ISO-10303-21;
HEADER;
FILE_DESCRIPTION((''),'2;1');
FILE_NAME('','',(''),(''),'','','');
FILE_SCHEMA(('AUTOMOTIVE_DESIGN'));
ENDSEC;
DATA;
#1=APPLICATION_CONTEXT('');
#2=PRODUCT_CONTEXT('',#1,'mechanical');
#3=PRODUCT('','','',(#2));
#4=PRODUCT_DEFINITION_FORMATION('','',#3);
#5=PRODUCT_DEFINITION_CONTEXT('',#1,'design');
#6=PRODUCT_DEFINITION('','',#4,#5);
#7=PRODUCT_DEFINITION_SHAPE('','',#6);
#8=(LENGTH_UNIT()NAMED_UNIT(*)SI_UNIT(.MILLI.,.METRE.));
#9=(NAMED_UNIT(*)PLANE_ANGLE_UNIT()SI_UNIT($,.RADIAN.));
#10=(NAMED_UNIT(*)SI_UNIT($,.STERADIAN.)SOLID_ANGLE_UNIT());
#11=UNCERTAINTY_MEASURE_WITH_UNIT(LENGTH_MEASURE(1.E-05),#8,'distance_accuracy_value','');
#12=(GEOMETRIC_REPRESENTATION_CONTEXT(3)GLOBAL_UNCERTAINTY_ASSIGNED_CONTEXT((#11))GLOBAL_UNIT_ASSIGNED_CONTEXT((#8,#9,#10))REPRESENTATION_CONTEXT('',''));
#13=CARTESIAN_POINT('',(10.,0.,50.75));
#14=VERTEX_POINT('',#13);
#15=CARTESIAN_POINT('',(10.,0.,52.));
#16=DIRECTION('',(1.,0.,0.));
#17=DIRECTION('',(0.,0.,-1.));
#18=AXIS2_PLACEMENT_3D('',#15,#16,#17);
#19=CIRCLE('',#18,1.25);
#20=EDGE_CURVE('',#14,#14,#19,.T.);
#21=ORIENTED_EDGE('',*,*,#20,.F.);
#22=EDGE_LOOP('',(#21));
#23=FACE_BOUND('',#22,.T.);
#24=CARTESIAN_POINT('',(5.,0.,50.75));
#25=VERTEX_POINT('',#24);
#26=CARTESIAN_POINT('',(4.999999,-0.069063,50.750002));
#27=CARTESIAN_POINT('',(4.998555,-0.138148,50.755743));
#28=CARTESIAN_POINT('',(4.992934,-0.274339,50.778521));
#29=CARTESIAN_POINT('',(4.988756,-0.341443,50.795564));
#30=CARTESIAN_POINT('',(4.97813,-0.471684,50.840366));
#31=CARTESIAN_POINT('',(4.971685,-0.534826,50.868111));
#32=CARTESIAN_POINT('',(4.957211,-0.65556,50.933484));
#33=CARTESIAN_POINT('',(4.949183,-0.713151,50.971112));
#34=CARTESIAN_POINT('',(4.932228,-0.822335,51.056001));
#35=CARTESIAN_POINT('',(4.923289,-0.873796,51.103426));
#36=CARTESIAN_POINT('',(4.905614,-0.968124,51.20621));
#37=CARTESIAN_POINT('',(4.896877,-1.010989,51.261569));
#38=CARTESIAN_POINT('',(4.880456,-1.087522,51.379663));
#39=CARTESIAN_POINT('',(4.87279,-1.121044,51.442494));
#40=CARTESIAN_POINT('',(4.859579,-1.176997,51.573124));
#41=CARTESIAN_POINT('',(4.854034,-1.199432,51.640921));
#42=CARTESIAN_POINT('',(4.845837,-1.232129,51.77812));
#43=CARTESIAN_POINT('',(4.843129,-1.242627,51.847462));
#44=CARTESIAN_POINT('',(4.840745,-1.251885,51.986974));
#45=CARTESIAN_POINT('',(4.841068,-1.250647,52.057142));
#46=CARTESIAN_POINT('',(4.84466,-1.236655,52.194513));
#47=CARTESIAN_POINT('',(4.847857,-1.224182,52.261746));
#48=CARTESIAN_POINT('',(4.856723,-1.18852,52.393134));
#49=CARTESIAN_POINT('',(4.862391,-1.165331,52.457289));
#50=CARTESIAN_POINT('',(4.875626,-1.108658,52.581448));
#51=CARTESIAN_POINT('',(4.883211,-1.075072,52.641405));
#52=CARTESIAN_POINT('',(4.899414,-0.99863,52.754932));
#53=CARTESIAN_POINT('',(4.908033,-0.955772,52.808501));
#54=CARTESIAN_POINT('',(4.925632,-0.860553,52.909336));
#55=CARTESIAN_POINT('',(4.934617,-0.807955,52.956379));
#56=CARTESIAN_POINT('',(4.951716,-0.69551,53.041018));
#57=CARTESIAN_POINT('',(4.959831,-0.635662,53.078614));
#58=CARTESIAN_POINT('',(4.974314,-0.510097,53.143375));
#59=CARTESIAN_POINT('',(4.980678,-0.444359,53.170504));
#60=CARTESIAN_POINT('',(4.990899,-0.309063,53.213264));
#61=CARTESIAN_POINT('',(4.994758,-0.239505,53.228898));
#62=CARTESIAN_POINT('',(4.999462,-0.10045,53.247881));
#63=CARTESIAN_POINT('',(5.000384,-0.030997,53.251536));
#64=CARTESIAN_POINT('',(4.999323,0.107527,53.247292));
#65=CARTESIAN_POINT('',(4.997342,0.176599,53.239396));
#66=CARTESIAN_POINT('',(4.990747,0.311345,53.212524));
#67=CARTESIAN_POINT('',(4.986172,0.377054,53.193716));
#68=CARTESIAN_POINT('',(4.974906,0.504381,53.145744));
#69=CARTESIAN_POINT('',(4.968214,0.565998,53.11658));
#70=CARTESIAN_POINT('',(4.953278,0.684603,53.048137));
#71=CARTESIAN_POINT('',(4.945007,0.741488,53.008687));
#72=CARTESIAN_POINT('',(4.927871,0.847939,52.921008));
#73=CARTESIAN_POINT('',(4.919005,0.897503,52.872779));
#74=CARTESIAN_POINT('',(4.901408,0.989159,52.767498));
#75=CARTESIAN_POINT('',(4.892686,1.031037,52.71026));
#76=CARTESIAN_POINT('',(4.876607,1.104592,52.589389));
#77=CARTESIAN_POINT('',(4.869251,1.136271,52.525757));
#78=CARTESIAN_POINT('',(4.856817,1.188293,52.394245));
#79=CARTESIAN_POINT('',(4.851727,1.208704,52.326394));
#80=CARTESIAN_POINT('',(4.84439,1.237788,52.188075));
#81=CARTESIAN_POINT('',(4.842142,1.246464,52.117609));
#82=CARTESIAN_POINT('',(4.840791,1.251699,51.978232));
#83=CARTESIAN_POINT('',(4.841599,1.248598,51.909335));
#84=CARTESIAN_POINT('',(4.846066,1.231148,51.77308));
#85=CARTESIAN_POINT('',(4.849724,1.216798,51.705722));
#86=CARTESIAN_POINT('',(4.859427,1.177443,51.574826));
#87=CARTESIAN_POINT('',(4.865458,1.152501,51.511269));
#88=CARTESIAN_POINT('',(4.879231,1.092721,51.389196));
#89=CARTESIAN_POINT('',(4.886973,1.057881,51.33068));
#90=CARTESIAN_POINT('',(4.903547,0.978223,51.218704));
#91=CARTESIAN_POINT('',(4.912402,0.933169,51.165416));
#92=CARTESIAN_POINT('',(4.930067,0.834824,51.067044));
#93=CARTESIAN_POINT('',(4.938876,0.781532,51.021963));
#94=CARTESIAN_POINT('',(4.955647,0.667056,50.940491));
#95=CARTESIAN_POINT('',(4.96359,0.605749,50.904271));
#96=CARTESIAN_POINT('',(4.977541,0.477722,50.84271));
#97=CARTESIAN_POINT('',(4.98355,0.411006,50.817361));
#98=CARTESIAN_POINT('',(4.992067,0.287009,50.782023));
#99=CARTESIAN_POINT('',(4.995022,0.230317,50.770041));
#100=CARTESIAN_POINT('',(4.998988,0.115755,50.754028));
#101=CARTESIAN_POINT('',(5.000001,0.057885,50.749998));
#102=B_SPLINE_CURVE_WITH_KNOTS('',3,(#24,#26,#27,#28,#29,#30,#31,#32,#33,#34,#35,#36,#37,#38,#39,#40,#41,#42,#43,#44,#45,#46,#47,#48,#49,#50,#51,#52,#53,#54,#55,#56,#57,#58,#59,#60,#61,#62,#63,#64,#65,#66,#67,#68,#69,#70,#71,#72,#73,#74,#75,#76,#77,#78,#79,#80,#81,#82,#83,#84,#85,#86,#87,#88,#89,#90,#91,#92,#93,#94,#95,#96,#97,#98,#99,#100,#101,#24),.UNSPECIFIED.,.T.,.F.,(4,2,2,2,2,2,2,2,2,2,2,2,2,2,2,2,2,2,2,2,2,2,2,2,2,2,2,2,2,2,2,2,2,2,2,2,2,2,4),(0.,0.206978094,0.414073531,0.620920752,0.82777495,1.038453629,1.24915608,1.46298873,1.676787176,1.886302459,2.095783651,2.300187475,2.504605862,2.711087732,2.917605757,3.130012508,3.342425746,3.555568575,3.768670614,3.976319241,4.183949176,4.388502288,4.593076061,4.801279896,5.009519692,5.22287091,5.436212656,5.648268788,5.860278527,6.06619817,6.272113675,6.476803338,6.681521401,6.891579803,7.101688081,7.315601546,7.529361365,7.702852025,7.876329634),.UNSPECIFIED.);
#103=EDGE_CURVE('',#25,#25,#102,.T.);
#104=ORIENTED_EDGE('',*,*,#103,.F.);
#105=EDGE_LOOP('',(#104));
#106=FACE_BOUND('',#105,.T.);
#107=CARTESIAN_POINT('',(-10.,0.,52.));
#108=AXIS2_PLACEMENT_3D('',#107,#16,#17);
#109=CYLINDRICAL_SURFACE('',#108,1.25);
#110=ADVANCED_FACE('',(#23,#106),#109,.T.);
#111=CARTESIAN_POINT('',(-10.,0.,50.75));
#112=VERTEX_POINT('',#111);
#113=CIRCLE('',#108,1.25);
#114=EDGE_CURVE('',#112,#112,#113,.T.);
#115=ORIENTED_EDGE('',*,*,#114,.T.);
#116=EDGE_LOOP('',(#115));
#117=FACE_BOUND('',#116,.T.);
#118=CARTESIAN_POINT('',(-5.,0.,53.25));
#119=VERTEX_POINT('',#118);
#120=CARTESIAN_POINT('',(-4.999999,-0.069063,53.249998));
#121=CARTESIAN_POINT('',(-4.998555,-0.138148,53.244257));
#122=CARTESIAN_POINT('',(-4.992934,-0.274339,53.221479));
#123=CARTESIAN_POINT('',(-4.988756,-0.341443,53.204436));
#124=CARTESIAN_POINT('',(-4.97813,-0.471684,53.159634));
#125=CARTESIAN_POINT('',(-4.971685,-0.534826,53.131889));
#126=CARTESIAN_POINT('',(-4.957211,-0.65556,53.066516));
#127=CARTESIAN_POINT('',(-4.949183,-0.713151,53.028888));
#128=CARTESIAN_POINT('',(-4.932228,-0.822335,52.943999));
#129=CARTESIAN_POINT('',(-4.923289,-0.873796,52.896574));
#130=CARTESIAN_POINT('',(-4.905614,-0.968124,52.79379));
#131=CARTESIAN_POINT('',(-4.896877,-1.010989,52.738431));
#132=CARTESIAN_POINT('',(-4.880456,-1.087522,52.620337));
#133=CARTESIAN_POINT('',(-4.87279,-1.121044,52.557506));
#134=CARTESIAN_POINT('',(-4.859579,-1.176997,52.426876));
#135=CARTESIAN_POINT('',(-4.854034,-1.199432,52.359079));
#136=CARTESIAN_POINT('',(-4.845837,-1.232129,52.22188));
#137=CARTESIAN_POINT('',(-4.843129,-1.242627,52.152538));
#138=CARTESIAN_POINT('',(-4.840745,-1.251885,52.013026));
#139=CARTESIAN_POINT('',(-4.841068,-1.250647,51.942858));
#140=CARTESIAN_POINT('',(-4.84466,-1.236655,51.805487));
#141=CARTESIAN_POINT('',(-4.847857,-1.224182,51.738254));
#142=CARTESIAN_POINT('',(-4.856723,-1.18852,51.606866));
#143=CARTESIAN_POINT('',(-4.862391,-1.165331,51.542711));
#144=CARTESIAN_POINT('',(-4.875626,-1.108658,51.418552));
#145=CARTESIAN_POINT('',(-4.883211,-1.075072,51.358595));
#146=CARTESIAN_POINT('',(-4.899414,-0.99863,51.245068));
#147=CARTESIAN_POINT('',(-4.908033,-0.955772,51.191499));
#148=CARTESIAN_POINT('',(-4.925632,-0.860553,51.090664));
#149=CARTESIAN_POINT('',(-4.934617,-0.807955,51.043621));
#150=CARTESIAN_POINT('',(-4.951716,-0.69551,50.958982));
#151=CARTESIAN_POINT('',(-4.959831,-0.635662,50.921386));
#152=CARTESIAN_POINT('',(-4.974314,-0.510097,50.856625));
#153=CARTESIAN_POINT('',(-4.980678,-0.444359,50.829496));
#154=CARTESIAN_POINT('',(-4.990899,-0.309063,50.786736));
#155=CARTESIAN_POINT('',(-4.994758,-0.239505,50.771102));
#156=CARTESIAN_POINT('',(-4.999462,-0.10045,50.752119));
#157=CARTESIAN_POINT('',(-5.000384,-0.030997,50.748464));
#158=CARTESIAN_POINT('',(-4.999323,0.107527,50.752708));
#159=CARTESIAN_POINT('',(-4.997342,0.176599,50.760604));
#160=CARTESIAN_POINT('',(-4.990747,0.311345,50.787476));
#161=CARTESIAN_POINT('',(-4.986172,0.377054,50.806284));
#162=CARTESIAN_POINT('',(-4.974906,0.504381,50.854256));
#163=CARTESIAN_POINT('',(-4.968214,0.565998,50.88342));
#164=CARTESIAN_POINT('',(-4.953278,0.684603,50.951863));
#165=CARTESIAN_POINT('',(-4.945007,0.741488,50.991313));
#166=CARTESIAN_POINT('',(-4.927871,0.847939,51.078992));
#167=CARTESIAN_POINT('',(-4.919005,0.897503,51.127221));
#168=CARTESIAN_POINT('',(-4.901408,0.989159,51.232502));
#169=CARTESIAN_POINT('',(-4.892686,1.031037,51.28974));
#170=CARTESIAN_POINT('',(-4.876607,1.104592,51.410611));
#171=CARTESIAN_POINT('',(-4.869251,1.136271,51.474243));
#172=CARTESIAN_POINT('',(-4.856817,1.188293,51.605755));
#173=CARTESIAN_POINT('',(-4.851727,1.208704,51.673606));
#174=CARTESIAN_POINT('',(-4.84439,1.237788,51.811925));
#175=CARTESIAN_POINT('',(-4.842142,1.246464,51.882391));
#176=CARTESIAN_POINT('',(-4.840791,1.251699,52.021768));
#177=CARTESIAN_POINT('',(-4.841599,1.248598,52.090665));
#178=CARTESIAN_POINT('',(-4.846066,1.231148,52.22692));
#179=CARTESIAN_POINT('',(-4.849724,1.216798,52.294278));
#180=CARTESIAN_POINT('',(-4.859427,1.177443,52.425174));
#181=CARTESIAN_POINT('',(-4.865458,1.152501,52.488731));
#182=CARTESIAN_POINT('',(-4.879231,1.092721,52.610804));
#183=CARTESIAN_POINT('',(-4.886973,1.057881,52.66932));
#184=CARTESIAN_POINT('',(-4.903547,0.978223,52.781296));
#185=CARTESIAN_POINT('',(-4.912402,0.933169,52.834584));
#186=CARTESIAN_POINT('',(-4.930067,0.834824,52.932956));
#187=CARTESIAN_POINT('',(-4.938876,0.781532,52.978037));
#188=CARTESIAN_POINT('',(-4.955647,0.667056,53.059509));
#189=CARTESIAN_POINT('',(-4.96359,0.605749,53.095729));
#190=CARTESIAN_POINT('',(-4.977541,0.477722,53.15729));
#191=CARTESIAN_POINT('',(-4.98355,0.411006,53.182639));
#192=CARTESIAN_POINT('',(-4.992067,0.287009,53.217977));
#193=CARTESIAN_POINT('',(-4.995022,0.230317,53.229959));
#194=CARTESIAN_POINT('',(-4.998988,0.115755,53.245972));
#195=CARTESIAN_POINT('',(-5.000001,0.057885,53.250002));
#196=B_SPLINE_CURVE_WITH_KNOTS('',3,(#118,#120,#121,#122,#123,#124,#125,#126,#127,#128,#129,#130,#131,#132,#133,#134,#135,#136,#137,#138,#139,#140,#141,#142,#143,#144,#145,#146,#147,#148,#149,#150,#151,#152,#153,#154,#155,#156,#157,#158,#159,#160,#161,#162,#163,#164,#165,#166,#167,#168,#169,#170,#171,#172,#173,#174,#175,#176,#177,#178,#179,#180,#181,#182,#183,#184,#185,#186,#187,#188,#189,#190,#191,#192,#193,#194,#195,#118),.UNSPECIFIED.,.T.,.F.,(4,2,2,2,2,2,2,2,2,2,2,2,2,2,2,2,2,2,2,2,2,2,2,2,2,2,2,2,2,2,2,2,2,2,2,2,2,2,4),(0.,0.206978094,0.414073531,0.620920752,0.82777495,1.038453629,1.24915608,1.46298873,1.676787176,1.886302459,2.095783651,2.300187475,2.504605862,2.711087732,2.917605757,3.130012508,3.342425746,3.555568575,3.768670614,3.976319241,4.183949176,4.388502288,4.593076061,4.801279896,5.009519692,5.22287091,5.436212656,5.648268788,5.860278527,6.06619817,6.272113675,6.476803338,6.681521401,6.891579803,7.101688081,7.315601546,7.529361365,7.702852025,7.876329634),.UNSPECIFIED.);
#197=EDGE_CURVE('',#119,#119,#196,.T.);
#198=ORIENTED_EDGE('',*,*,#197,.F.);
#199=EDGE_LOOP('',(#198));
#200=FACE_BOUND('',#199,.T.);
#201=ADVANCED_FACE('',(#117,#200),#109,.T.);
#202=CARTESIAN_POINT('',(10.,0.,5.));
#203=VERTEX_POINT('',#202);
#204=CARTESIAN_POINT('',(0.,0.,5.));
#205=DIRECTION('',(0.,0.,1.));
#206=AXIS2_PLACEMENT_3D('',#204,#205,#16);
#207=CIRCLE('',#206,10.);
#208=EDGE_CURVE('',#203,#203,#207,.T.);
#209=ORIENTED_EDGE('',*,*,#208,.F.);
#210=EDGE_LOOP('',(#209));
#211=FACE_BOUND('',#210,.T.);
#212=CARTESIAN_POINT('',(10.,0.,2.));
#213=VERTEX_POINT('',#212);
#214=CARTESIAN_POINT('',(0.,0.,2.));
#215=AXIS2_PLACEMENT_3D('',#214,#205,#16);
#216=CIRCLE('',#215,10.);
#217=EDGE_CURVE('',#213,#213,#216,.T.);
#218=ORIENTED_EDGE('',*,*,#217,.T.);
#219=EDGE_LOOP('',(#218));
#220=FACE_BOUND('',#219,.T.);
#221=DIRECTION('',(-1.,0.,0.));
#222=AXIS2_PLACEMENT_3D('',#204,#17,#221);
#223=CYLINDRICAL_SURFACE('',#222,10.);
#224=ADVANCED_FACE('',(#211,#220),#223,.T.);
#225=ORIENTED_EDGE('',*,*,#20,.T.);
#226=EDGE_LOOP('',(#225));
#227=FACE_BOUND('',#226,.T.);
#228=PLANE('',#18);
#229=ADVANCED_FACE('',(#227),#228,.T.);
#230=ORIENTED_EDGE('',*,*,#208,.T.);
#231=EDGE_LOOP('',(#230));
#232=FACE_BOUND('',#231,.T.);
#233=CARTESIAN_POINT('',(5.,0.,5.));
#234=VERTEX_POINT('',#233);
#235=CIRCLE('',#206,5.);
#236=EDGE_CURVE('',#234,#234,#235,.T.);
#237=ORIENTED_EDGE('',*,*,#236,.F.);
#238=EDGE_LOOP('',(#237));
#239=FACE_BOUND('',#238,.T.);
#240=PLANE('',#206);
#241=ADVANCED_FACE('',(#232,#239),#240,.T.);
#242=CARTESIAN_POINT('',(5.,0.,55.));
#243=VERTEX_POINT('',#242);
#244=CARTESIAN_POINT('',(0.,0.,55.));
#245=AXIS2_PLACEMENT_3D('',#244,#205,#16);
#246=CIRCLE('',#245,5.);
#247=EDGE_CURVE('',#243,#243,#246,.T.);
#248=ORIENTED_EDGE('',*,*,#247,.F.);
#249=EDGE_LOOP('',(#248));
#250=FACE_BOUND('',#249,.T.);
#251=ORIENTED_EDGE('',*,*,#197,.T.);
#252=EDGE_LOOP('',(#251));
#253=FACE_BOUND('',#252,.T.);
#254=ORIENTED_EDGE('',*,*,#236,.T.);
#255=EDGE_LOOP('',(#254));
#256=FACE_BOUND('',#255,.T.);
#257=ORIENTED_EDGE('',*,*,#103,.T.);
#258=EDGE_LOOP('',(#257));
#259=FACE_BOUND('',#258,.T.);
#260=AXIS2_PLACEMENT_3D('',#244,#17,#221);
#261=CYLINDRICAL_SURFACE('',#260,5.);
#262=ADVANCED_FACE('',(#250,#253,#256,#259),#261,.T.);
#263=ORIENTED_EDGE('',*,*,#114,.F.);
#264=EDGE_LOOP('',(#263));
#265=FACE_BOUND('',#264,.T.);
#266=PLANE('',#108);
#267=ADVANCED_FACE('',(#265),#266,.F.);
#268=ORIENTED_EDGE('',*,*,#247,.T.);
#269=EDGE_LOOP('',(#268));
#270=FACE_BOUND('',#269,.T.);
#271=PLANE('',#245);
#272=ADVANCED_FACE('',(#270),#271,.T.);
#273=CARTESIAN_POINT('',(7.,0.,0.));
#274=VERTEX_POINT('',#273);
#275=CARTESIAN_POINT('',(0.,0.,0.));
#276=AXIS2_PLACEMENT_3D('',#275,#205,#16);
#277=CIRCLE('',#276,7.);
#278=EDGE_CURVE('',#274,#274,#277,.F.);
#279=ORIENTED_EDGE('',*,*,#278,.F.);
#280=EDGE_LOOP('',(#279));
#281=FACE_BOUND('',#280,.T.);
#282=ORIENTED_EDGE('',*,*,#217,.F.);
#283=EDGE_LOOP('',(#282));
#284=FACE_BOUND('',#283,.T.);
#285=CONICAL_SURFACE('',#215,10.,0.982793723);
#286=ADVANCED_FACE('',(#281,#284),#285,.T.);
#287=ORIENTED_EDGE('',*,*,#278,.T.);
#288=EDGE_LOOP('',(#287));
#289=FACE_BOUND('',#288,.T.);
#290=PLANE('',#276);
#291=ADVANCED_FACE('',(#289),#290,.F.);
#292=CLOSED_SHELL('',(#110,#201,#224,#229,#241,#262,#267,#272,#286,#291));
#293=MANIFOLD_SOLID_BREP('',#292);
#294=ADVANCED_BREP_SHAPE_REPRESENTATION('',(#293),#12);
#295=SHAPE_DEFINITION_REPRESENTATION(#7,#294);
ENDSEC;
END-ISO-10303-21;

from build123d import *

# Parameters (mm, degrees)
SKETCH1_R                = 10
SKETCH1_R_2              = 5
BOSS_EXTRUDE1_DEPTH      = 5
SKETCH1_2_R              = 5
BOSS_EXTRUDE2_DEPTH      = 55
CHAMFER1_SIZE            = 3
CHAMFER1_SIZE2           = 2
BOSS_EXTRUDE3_DEPTH      = 10
BOSS_EXTRUDE3_DEPTH_BACK = 10
SKETCH2_R                = 1.25


with BuildPart() as part:
    # Sketch1 → Boss-Extrude1 (new body)
    with BuildSketch(Plane.XY):
        Circle(SKETCH1_R)
        Circle(SKETCH1_R_2, mode=Mode.SUBTRACT)
    extrude(amount=BOSS_EXTRUDE1_DEPTH)

    # Sketch1<2> → Boss-Extrude2 (add)
    with BuildSketch(Plane.XY):
        Circle(SKETCH1_2_R)
    extrude(amount=BOSS_EXTRUDE2_DEPTH)

    # Chamfer1
    chamfer1_edges = [part.edges().sort_by_distance(p)[0] for p in [
        (-10, 0, 0),
    ]]
    chamfer1_side = [part.faces().sort_by_distance(p)[0] for p in [
        (0, 0, 0),
    ]]
    chamfer(chamfer1_edges, length=CHAMFER1_SIZE, length2=CHAMFER1_SIZE2, reference=chamfer1_side[0])

    # Sketch2 → Boss-Extrude3 (add, two sides: drawn at the far end of the back side and taken through both)
    with BuildSketch(Plane(origin=(0, 0, 0), x_dir=(0, 0, -1), z_dir=(1, 0, 0)).offset(-BOSS_EXTRUDE3_DEPTH_BACK)):
        with Locations((-52, 0)):
            Circle(SKETCH2_R)
    extrude(amount=BOSS_EXTRUDE3_DEPTH + BOSS_EXTRUDE3_DEPTH_BACK)


solid = part.part
